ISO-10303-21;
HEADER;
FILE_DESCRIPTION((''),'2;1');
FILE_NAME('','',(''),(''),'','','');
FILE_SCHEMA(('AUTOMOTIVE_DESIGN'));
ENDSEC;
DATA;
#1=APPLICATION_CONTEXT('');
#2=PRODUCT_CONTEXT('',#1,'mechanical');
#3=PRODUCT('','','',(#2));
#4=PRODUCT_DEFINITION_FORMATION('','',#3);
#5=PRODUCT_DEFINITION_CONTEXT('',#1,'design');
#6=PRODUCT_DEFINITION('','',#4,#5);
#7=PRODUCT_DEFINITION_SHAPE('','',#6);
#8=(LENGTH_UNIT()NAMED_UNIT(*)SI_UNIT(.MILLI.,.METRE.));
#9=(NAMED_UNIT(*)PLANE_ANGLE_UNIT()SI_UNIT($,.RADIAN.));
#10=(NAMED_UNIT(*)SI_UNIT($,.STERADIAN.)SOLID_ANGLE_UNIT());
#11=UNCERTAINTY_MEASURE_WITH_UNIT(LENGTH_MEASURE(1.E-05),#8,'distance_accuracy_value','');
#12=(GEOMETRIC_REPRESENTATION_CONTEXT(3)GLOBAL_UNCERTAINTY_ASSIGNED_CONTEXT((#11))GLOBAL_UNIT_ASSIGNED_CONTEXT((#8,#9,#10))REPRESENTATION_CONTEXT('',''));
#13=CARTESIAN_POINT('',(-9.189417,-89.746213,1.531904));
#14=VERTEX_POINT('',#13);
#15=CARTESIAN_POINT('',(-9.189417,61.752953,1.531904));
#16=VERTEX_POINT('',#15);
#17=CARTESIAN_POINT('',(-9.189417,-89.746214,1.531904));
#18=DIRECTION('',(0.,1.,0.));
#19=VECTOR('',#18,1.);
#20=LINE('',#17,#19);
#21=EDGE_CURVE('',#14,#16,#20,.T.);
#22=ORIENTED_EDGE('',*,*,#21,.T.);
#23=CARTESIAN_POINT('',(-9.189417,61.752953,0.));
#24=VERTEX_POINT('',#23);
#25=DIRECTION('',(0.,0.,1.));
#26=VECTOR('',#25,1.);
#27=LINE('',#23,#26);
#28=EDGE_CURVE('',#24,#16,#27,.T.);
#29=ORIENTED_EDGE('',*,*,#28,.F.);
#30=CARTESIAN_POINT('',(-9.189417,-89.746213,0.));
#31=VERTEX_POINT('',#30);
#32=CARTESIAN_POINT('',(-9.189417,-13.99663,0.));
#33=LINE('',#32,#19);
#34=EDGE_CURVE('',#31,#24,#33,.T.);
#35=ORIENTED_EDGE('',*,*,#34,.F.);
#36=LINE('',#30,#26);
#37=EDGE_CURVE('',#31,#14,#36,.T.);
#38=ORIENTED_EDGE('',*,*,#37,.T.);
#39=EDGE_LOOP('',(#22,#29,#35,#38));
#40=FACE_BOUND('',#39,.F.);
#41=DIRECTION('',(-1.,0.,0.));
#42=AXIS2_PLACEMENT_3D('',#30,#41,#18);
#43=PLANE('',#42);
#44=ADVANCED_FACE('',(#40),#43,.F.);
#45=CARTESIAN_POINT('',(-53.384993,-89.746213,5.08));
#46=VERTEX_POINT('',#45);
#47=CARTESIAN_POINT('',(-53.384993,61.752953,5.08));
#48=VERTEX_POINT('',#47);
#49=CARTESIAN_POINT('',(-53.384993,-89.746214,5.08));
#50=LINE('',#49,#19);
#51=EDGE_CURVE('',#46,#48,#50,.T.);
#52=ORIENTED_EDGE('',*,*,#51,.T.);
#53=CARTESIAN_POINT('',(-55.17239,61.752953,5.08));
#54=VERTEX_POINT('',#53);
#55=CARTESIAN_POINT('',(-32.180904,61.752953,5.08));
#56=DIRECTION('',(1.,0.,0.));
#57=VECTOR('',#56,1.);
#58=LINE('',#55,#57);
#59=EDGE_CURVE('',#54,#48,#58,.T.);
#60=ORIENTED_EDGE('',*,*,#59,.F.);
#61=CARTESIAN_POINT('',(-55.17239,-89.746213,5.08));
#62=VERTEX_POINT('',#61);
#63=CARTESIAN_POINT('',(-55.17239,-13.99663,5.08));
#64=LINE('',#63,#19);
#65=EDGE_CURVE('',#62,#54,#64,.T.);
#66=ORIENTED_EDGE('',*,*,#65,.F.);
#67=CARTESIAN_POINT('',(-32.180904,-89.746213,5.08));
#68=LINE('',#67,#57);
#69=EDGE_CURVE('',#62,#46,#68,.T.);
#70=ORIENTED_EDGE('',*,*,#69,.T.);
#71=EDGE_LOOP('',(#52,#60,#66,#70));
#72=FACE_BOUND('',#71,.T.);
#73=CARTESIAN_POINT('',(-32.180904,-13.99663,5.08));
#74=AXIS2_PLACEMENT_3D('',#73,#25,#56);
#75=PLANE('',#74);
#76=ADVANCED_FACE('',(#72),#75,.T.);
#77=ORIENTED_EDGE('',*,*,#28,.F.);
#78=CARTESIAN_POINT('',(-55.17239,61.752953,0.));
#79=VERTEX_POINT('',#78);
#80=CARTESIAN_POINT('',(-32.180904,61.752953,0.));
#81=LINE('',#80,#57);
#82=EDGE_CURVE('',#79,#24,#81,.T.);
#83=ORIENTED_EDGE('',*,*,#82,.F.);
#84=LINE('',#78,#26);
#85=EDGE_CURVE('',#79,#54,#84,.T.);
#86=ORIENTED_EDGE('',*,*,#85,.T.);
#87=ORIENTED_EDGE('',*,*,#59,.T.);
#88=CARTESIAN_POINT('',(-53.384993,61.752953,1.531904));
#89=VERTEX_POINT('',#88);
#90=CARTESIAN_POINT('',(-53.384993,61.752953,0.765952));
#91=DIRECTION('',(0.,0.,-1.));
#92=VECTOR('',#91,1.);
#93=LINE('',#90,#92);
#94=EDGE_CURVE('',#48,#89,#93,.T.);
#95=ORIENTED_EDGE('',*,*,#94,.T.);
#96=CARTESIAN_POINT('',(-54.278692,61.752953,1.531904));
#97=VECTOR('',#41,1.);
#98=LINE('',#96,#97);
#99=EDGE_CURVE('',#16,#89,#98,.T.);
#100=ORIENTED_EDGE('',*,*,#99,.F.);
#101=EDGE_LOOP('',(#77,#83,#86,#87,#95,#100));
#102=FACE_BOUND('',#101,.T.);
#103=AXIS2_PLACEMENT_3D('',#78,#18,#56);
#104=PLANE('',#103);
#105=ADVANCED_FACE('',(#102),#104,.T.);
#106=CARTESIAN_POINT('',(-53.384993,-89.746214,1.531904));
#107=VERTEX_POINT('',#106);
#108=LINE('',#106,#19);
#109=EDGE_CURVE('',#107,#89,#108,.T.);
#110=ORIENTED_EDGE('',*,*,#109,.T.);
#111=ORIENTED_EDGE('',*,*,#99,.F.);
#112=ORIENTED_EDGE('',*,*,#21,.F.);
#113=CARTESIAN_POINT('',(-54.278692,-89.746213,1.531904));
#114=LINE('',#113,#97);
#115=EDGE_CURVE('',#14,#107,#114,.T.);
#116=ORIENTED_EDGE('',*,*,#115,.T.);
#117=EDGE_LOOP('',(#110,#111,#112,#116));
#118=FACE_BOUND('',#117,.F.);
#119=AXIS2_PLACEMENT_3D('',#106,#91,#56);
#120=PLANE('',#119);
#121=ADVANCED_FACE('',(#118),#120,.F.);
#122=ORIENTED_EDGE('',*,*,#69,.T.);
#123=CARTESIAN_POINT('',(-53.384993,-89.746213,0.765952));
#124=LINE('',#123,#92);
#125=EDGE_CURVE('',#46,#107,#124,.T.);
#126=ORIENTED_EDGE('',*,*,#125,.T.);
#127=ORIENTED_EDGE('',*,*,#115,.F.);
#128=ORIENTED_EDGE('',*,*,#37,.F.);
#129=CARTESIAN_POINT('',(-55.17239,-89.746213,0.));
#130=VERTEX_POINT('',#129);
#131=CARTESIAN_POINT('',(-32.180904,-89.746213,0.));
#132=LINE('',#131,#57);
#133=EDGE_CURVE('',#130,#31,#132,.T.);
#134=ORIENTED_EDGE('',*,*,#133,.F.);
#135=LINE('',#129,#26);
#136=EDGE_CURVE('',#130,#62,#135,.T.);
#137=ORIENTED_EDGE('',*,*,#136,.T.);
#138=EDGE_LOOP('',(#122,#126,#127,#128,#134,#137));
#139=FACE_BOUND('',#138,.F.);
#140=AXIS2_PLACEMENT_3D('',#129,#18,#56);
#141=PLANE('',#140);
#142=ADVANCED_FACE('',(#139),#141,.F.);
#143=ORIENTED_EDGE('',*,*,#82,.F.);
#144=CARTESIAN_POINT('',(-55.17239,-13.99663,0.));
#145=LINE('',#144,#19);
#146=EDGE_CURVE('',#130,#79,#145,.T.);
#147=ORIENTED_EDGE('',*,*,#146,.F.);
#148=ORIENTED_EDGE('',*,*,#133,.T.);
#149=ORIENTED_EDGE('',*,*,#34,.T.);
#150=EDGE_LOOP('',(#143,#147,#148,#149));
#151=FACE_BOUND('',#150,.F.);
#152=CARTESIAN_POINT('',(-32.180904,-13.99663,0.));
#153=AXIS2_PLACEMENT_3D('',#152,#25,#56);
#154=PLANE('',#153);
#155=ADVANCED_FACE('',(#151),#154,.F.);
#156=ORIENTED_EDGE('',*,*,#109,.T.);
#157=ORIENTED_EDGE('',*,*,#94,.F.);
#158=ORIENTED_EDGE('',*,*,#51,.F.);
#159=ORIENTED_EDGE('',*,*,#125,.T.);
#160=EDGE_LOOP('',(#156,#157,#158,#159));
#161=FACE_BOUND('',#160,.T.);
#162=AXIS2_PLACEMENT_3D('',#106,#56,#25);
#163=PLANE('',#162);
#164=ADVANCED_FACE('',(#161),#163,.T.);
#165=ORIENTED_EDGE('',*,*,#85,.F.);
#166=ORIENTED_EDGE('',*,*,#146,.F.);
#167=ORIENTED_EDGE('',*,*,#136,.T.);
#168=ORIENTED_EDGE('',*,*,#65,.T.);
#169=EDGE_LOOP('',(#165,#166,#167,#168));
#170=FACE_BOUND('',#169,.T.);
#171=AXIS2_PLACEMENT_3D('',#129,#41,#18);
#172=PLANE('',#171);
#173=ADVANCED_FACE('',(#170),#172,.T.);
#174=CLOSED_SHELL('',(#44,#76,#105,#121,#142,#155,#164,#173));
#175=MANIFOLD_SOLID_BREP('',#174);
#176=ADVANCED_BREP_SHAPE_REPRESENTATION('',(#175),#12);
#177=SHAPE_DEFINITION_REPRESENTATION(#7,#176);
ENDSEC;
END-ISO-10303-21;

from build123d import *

# Parameters (mm, degrees)
F0_W     = 45.982973
F0_H     = 151.499167
F1_DEPTH = 5.08
F2_W     = 44.195575
F2_H     = 3.548096
F3_DEPTH = 151.500167


with BuildPart() as f1:
    # F0 (on Top) → F1 (new body)
    with BuildSketch(Plane.XY):
        with Locations((-32.180904, -13.99663)):
            Rectangle(F0_W, F0_H)
    extrude(amount=F1_DEPTH)

    # F2 (on face) → F3 (cut, through all)
    with BuildSketch(Plane.XZ.offset(89.746214)):
        with Locations((-31.287205, 3.305952)):
            Rectangle(F2_W, F2_H)
    extrude(amount=-F3_DEPTH, mode=Mode.SUBTRACT)


solid = f1.part
